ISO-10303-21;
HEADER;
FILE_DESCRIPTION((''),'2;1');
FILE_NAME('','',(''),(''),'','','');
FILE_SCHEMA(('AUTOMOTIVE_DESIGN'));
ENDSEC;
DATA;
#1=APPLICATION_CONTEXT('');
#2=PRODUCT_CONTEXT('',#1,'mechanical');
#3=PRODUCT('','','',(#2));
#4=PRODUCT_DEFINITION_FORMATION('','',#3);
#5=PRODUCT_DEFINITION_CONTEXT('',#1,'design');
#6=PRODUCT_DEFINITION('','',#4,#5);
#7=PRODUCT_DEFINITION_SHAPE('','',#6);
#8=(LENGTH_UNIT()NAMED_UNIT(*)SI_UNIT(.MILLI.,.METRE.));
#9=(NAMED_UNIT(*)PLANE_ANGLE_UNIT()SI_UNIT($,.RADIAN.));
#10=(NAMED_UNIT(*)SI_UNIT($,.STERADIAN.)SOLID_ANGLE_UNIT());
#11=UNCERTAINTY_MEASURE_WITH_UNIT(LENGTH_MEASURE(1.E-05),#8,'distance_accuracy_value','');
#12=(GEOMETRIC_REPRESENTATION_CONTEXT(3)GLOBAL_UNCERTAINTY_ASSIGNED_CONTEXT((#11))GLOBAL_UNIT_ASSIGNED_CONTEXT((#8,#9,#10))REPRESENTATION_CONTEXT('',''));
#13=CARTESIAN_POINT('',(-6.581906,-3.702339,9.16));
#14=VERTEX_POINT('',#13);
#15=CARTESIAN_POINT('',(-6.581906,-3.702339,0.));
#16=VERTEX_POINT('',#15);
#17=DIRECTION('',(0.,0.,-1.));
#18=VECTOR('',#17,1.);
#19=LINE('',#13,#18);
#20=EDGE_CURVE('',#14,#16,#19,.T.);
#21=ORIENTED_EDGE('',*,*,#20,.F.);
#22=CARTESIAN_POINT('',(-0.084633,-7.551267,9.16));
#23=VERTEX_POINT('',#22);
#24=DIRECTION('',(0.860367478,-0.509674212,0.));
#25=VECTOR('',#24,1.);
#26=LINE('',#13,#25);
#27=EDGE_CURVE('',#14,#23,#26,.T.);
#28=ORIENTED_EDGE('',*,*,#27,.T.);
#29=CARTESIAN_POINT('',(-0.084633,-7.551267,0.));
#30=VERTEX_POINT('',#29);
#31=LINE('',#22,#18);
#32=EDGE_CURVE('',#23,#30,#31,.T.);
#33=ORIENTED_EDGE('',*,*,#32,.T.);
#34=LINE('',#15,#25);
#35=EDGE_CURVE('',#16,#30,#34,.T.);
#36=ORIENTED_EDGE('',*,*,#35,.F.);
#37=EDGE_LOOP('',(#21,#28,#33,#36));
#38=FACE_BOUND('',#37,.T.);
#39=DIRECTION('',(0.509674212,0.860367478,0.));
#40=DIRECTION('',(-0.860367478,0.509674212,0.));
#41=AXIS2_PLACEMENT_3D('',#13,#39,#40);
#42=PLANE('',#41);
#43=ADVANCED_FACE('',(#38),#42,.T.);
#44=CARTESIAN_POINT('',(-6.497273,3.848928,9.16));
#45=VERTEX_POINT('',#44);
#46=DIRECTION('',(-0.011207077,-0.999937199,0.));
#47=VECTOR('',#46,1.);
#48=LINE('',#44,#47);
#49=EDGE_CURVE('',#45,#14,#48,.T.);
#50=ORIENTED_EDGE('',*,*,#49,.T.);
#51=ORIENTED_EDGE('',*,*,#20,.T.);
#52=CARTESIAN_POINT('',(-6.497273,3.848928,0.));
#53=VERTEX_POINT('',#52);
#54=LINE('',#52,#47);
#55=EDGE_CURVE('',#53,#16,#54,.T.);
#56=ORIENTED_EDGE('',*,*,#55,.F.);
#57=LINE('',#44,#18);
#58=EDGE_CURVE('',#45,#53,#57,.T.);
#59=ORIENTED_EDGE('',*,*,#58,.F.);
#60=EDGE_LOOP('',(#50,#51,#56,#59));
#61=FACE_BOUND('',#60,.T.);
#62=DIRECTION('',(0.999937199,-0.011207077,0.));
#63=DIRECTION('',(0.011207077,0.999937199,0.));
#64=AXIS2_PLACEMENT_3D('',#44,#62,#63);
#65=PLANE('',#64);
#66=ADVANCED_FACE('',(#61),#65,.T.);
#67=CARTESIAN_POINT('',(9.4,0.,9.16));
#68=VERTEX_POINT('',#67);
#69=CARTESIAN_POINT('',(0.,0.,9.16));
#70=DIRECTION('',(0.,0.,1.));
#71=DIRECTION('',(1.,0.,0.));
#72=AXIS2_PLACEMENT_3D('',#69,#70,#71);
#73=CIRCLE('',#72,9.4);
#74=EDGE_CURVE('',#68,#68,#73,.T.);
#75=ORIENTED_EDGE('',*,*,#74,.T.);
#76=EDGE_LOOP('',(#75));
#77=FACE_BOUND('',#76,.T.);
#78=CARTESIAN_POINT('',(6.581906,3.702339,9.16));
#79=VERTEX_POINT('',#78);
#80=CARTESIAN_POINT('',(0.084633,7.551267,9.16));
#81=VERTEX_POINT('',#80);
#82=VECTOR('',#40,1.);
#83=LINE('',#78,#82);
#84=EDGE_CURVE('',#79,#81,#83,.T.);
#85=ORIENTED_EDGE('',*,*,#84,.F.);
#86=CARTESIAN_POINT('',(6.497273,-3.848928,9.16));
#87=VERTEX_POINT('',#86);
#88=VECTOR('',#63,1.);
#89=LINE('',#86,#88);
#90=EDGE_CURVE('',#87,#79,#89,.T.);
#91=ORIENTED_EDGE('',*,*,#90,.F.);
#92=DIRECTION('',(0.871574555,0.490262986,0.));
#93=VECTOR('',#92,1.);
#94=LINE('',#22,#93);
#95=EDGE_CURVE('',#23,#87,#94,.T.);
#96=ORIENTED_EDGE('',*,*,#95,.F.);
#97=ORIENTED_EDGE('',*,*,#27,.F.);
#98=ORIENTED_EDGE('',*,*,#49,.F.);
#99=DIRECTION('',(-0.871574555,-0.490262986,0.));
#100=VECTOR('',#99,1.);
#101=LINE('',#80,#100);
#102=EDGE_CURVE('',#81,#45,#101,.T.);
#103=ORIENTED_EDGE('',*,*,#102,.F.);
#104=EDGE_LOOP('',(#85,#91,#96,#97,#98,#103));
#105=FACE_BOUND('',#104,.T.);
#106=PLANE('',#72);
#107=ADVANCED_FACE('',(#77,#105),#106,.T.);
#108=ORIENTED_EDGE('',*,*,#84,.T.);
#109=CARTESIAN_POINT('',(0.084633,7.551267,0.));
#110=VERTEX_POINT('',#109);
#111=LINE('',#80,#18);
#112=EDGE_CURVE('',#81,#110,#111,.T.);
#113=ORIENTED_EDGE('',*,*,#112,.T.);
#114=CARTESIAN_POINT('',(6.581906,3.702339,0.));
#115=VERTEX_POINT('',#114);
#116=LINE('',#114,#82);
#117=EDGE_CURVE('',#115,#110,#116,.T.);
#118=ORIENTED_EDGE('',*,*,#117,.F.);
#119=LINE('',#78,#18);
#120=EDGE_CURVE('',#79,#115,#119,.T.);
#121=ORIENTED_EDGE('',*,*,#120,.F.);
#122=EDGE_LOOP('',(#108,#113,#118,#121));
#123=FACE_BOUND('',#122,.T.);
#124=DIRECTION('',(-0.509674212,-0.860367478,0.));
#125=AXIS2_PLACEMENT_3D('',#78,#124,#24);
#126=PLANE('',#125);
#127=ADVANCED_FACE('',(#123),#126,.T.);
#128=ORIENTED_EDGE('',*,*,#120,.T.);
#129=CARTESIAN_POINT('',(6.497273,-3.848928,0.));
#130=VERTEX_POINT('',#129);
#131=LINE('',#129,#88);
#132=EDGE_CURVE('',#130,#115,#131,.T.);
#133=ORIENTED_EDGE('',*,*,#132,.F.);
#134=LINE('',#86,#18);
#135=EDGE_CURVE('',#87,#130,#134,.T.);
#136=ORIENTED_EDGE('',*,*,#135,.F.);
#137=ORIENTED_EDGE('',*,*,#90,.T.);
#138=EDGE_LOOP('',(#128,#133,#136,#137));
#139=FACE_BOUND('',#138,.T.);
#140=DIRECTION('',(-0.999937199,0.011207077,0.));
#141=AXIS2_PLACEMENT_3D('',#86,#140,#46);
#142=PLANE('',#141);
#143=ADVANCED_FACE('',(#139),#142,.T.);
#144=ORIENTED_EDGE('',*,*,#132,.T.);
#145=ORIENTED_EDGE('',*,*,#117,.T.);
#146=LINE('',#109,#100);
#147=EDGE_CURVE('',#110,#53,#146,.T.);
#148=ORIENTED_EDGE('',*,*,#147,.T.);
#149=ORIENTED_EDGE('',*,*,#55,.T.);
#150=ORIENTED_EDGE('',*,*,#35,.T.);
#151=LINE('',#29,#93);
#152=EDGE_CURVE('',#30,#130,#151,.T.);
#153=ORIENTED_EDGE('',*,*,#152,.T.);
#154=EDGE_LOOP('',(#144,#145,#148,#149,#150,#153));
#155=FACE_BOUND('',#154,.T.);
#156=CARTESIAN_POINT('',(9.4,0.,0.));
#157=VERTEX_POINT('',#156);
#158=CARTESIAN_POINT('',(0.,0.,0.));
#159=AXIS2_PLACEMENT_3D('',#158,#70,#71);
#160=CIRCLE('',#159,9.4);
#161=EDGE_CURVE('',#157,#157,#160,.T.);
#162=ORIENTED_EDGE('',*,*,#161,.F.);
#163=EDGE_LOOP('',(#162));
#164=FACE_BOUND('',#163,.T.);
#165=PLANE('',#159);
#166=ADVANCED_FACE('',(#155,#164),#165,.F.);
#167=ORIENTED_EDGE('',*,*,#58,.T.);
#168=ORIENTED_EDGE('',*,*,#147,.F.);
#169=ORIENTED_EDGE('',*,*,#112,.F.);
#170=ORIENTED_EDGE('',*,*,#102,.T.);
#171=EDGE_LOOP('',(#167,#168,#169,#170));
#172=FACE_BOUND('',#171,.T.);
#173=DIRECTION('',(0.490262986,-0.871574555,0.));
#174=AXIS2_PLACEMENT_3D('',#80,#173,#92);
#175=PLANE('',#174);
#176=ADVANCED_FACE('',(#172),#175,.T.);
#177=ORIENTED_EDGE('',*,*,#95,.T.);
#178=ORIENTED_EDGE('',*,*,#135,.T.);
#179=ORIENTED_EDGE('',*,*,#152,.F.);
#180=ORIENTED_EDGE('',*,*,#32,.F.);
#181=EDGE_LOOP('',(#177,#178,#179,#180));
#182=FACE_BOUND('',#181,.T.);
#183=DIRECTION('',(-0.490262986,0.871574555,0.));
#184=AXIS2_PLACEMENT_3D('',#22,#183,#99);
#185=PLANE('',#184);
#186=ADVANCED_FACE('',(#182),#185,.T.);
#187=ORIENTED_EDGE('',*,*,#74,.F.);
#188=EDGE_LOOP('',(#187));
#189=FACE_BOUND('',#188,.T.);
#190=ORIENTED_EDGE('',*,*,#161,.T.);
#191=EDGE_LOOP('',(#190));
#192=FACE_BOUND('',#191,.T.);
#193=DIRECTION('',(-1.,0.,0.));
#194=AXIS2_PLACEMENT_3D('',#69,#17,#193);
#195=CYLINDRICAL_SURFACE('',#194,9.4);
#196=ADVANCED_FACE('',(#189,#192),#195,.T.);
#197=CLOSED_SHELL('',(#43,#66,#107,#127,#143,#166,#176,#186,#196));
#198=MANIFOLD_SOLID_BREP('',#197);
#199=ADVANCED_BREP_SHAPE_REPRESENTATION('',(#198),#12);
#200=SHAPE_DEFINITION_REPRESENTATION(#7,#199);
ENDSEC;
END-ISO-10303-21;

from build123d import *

# Parameters (mm, degrees)
CROQUIS1_R              = 9.4
SALIENTE_EXTRUIR2_DEPTH = 9.16


with BuildPart() as part:
    # Croquis1 → Saliente-Extruir2 (new body)
    with BuildSketch(Plane.XY):
        Circle(CROQUIS1_R)
        Polygon((6.497272807, -3.848927913), (6.581905753, 3.70233935), (0.084632946, 7.551267262), (-6.497272807, 3.848927913), (-6.581905753, -3.70233935), (-0.084632946, -7.551267262), align=None, mode=Mode.SUBTRACT)
    extrude(amount=SALIENTE_EXTRUIR2_DEPTH)


solid = part.part
